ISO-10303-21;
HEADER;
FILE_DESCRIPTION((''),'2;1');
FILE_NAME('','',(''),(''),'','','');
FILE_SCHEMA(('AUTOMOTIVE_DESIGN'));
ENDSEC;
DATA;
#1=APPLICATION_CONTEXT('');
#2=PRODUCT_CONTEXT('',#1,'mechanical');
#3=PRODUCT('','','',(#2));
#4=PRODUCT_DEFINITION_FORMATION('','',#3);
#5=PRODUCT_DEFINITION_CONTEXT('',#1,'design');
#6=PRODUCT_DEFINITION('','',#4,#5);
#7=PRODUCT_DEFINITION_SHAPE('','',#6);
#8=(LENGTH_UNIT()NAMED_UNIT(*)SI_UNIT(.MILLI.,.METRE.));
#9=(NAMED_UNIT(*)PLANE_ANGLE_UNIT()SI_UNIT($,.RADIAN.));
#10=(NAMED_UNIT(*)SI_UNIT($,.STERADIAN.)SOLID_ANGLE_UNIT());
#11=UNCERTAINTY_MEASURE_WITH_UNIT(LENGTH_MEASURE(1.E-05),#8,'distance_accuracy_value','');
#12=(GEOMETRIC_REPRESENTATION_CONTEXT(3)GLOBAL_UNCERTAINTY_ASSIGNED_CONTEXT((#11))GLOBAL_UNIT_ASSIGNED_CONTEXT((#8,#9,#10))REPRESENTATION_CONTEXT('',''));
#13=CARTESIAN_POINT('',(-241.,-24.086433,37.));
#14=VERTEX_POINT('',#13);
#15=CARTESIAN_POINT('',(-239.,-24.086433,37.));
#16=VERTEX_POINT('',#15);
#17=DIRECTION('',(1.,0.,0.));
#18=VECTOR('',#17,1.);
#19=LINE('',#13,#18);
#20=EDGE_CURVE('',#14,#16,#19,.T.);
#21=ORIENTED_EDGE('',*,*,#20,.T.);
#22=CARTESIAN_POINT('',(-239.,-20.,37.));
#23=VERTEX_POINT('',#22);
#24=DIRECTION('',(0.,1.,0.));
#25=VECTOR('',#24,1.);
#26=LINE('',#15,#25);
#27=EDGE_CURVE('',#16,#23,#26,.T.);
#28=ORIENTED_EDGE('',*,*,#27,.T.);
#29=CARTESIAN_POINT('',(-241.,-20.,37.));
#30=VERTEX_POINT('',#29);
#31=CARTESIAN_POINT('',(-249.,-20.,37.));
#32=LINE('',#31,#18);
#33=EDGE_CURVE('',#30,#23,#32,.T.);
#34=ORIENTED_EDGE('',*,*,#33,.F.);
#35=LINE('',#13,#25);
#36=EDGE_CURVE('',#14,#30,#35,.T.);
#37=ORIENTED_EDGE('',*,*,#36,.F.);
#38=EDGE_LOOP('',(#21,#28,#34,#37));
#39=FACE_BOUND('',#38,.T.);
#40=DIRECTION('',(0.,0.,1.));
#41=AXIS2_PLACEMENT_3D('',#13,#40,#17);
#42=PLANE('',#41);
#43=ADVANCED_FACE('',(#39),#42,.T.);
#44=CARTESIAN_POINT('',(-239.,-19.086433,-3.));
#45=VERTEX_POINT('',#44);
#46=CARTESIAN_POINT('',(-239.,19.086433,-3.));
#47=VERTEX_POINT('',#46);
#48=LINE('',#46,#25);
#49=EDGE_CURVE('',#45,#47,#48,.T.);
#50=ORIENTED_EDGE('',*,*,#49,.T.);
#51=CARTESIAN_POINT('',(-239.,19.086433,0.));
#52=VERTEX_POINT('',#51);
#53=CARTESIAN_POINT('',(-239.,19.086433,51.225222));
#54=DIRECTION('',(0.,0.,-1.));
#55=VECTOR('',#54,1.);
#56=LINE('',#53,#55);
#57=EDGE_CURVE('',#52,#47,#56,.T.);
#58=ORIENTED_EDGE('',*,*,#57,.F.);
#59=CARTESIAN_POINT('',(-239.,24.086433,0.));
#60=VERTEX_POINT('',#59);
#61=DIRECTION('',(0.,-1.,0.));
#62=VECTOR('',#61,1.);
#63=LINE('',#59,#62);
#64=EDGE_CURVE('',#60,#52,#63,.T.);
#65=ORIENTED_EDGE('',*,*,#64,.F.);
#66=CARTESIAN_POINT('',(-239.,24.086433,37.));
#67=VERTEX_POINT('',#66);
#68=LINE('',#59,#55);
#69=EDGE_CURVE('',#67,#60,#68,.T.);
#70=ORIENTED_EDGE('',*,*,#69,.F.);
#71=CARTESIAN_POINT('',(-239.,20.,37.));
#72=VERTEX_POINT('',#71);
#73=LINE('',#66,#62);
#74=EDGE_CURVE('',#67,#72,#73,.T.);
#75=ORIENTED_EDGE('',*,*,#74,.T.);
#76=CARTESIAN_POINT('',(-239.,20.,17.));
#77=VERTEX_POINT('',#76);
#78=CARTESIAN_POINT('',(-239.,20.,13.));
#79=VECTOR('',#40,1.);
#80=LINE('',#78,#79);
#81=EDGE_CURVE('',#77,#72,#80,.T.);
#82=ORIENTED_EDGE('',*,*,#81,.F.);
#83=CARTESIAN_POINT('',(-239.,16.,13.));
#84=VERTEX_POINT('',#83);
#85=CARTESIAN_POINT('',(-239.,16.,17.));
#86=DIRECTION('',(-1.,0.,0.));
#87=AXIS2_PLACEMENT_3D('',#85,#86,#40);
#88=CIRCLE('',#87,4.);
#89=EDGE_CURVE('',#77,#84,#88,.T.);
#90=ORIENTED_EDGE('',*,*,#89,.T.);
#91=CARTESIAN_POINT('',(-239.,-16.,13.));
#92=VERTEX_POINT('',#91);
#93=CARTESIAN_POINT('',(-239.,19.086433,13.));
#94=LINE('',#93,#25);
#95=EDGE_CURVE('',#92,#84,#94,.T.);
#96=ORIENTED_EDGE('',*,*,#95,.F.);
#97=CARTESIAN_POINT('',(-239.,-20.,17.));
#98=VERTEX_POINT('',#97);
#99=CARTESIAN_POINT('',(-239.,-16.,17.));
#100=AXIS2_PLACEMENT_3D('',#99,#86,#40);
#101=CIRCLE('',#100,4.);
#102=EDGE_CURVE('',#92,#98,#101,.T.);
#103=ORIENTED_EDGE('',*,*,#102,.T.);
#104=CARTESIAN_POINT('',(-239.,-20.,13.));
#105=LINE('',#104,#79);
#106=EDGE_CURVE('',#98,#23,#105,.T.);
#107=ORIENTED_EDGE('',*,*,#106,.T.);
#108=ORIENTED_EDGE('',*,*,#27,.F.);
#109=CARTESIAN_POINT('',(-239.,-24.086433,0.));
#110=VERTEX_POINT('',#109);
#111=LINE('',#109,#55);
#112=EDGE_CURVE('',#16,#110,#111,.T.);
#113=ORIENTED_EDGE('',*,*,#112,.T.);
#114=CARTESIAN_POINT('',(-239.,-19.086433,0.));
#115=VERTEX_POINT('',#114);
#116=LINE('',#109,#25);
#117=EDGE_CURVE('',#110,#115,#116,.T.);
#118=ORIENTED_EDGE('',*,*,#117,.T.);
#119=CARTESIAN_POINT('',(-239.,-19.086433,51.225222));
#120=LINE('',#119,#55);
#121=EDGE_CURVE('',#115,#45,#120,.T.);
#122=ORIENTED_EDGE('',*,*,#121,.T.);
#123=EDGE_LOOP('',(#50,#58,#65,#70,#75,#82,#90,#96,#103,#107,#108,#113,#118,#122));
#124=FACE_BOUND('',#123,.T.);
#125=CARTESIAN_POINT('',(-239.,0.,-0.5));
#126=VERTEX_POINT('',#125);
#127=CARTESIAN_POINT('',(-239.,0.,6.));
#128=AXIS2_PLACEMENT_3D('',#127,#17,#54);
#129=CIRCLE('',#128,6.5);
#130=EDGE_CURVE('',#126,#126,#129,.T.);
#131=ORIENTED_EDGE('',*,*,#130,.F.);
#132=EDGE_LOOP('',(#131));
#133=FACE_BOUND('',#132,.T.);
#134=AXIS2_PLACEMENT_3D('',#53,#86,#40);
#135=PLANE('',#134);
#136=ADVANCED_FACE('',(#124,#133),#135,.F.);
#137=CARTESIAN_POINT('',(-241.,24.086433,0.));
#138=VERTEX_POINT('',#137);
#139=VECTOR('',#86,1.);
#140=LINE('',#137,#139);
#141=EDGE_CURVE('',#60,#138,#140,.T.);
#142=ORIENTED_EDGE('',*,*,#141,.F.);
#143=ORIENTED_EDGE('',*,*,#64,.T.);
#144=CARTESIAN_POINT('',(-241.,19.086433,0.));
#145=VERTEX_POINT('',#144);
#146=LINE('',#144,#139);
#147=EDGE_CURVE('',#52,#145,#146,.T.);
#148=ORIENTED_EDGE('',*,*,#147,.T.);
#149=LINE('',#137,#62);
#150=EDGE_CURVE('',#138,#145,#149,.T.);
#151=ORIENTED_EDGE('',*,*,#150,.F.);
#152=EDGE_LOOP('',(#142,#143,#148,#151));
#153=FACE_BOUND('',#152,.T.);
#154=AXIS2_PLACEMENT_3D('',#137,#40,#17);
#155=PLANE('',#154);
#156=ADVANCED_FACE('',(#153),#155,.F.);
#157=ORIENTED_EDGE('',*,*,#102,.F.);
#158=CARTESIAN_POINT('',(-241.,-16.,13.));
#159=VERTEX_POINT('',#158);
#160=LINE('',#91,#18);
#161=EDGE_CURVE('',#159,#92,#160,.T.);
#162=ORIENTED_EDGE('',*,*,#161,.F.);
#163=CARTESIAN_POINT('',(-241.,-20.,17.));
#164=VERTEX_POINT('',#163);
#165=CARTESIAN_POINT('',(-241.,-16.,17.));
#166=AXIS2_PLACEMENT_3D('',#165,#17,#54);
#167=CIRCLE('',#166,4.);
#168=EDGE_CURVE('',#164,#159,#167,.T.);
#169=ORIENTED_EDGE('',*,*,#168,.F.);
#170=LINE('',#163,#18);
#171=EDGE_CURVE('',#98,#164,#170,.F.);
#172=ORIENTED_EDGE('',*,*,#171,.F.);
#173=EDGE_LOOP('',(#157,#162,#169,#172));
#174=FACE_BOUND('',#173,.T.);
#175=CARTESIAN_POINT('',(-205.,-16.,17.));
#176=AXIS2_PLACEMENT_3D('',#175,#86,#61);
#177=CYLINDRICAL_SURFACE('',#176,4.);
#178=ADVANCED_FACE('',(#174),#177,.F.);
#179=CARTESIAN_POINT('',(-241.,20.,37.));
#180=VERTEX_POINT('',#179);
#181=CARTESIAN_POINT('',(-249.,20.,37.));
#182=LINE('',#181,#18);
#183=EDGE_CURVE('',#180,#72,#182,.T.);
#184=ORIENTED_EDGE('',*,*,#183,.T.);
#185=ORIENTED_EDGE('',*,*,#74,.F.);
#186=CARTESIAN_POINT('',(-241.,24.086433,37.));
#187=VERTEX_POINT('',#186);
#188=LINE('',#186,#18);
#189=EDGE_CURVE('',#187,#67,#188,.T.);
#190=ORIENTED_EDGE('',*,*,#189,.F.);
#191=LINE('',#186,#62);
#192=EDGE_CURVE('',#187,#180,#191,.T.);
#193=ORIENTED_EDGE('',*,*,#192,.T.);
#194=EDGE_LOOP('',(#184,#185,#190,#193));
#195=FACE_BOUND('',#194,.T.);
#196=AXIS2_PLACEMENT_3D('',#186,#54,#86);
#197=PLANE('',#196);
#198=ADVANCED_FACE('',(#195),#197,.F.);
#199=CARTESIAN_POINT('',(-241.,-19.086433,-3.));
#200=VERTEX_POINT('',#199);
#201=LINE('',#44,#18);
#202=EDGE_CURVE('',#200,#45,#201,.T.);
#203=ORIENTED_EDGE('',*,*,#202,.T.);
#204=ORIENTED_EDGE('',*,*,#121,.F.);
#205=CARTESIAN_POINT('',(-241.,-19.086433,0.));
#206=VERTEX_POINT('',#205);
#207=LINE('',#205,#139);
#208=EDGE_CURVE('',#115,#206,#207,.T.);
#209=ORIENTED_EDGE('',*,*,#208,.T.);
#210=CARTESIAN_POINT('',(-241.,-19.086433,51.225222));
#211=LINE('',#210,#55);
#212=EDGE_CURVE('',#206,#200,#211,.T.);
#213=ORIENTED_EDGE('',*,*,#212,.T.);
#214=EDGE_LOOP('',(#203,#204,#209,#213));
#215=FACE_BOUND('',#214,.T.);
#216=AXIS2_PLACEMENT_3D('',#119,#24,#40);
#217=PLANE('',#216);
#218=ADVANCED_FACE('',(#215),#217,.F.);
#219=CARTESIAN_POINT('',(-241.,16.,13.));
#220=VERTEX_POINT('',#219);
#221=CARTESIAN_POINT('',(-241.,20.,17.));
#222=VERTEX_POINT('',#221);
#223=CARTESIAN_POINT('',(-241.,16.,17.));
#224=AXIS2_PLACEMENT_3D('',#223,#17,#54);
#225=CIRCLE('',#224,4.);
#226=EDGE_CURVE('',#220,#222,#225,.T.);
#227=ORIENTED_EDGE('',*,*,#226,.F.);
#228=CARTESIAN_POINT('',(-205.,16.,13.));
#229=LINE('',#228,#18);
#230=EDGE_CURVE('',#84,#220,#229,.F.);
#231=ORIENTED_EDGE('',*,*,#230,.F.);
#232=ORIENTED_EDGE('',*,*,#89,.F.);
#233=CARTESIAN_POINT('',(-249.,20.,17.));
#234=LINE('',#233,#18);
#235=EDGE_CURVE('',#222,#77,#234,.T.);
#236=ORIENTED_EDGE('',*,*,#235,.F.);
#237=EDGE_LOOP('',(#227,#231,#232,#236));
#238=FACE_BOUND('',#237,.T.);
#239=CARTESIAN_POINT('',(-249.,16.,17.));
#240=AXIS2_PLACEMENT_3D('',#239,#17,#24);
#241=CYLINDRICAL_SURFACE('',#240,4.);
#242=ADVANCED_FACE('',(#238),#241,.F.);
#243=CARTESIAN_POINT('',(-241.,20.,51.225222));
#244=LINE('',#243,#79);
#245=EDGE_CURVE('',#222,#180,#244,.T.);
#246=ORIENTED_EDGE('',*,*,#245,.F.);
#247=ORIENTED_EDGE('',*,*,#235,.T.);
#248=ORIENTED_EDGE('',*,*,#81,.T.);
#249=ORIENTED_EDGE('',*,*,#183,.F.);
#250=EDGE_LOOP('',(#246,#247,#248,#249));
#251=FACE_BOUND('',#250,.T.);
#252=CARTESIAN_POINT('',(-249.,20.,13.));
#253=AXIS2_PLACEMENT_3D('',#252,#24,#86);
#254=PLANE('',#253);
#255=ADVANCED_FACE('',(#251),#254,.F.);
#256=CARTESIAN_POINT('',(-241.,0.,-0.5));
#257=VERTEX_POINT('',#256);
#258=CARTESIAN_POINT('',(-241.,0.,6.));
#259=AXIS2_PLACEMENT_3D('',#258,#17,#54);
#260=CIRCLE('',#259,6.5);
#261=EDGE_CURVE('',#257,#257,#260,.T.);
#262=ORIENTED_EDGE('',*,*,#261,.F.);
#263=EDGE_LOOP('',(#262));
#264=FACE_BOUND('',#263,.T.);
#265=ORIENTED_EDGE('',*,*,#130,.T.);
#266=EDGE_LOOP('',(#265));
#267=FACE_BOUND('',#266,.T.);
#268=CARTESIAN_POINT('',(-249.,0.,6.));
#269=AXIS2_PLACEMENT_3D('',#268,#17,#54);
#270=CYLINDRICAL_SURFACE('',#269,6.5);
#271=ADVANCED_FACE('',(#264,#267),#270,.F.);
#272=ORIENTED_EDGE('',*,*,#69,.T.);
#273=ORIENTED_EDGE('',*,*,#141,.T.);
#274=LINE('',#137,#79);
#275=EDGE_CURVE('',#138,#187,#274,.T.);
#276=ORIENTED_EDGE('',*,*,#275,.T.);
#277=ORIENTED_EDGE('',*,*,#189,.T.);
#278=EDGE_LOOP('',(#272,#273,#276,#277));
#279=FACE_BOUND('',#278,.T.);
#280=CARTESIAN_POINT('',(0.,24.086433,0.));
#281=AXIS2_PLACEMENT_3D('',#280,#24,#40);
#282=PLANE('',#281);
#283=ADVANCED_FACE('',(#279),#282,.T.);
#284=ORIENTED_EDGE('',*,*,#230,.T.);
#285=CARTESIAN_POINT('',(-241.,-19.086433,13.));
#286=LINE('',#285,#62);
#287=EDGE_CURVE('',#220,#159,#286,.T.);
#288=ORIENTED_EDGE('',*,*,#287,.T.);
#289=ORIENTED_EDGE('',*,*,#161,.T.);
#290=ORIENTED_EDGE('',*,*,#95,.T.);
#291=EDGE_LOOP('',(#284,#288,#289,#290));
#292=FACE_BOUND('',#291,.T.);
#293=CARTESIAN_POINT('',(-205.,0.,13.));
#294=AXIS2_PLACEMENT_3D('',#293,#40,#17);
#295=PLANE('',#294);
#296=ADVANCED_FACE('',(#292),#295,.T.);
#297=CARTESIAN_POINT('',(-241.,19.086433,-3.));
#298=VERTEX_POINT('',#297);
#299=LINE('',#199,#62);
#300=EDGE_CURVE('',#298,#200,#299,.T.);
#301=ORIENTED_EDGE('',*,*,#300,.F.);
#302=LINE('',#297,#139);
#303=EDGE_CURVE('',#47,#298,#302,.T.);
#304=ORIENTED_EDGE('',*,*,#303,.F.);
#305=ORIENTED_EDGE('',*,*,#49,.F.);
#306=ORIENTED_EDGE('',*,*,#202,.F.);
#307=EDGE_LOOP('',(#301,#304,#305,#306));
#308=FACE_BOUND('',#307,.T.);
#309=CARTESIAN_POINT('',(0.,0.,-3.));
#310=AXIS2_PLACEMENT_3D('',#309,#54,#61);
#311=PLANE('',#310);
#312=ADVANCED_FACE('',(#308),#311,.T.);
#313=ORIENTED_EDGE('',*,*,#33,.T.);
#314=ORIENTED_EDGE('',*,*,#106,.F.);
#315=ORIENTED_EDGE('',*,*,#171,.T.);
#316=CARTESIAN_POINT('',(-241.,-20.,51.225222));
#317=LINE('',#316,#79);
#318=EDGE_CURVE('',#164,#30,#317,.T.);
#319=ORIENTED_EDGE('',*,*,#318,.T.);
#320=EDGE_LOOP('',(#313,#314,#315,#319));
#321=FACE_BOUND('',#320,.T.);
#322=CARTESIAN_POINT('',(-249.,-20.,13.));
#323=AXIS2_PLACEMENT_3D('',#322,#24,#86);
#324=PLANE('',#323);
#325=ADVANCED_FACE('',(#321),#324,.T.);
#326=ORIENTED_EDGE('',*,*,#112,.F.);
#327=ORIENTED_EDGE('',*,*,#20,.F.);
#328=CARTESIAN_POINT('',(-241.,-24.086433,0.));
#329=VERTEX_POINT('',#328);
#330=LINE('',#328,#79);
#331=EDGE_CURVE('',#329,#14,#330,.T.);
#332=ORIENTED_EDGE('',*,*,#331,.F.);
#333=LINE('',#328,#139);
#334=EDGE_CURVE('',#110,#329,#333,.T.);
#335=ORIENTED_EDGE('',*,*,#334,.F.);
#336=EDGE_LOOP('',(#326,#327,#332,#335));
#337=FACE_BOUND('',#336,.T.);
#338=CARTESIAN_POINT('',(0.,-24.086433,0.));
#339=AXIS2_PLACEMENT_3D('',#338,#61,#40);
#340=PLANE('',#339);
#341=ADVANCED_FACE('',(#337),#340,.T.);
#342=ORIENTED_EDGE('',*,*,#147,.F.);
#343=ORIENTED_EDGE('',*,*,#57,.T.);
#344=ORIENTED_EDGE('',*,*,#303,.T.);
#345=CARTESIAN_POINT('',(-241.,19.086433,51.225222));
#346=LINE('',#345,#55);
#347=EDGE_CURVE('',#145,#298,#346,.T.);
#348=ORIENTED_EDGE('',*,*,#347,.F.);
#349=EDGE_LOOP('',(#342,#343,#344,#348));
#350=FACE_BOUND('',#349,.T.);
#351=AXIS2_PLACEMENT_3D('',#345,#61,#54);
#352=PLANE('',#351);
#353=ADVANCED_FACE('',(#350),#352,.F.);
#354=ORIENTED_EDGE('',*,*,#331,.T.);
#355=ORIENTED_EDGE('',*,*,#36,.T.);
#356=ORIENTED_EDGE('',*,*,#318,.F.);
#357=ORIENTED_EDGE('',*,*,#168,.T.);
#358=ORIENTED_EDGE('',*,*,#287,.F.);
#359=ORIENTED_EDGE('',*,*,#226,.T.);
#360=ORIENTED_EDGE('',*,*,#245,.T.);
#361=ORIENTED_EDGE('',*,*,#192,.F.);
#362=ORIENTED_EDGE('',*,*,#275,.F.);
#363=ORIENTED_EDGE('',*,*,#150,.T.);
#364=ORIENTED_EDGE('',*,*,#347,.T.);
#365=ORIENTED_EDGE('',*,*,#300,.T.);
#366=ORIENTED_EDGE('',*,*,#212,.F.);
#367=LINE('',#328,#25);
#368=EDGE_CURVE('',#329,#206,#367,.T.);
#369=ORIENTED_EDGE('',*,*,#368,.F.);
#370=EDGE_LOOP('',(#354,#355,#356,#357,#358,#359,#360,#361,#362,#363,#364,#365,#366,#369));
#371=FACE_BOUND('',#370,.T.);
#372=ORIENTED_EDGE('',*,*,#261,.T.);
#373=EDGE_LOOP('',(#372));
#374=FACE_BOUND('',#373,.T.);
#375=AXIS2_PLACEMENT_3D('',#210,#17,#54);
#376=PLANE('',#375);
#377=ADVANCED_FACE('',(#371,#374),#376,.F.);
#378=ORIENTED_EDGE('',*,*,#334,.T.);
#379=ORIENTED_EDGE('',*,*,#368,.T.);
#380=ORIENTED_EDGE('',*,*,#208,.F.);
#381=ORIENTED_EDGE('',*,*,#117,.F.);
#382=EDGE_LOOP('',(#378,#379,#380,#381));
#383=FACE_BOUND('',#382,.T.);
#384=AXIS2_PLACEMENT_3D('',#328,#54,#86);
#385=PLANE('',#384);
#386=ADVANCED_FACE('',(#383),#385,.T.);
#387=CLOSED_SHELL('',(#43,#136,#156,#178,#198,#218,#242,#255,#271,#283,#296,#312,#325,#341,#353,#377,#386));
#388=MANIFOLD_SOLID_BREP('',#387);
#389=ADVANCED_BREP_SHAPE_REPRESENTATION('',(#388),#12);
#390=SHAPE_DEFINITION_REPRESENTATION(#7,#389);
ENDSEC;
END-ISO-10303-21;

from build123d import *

# Parameters (mm, degrees)
ESTRUSIONE_ESTRUSIONE1_DEPTH      = 13
ESTRUSIONE_ESTRUSIONE1_DEPTH_BACK = 3
SCHIZZO1_W                        = 2
SCHIZZO1_H                        = 38.172865154
SCHIZZO2_W                        = 2
SCHIZZO2_H                        = 37
ESTRUSIONE_ESTRUSIONE2_DEPTH      = 5
SCHIZZO3_W                        = 24
SCHIZZO3_H                        = 0.913567423
TAGLIO_ESTRUSIONE1_DEPTH          = 10
RACCORDO1_R                       = 4
RACCORDO1_OF_SPECCHIA1_R          = 4
SCHIZZO4_R                        = 6.5
TAGLIO_ESTRUSIONE2_DEPTH          = 10


with BuildPart() as part:
    # Schizzo1 → Estrusione-Estrusione1 (new, two sides: drawn at the far end of the back side and taken through both)
    with BuildSketch(Plane.XY.offset(-ESTRUSIONE_ESTRUSIONE1_DEPTH_BACK)):
        with Locations((-240, 0)):
            Rectangle(SCHIZZO1_W, SCHIZZO1_H)
    extrude(amount=ESTRUSIONE_ESTRUSIONE1_DEPTH + ESTRUSIONE_ESTRUSIONE1_DEPTH_BACK)

    # Schizzo2 → Estrusione-Estrusione2 (add)
    with BuildSketch(Plane(origin=(0, 19.086432577, 0), x_dir=(1, 0, 0), z_dir=(0, 1, 0))):
        with Locations((-240, -18.5)):
            Rectangle(SCHIZZO2_W, SCHIZZO2_H)
    estrusione_estrusione2 = extrude(amount=ESTRUSIONE_ESTRUSIONE2_DEPTH)

    # Schizzo3 → Taglio-Estrusione1 (cut)
    with BuildSketch(Plane(origin=(-239, 0, 0), x_dir=(0, 0, -1), z_dir=(1, 0, 0))):
        with Locations((-25, 19.543216288)):
            Rectangle(SCHIZZO3_W, SCHIZZO3_H)
    taglio_estrusione1 = extrude(amount=-TAGLIO_ESTRUSIONE1_DEPTH, mode=Mode.SUBTRACT)

    # Raccordo1
    raccordo1_edges = [part.edges().sort_by_distance(p)[0] for p in [
        (-240, 20, 13),
    ]]
    fillet(raccordo1_edges, radius=RACCORDO1_R)

    # Specchia1: Estrusione-Estrusione2, Taglio-Estrusione1 across plane
    add(estrusione_estrusione2.mirror(Plane.ZX))
    add(taglio_estrusione1.mirror(Plane.ZX), mode=Mode.SUBTRACT)

    # Raccordo1 of Specchia1
    raccordo1_of_specchia1_edges = [part.edges().sort_by_distance(p)[0] for p in [
        (-240, -20, 13),
    ]]
    fillet(raccordo1_of_specchia1_edges, radius=RACCORDO1_OF_SPECCHIA1_R)

    # Schizzo4 → Taglio-Estrusione2 (cut)
    with BuildSketch(Plane(origin=(-239, 0, 0), x_dir=(0, 0, -1), z_dir=(1, 0, 0))):
        with Locations((-6, 0)):
            Circle(SCHIZZO4_R)
    extrude(amount=-TAGLIO_ESTRUSIONE2_DEPTH, mode=Mode.SUBTRACT)


solid = part.part
